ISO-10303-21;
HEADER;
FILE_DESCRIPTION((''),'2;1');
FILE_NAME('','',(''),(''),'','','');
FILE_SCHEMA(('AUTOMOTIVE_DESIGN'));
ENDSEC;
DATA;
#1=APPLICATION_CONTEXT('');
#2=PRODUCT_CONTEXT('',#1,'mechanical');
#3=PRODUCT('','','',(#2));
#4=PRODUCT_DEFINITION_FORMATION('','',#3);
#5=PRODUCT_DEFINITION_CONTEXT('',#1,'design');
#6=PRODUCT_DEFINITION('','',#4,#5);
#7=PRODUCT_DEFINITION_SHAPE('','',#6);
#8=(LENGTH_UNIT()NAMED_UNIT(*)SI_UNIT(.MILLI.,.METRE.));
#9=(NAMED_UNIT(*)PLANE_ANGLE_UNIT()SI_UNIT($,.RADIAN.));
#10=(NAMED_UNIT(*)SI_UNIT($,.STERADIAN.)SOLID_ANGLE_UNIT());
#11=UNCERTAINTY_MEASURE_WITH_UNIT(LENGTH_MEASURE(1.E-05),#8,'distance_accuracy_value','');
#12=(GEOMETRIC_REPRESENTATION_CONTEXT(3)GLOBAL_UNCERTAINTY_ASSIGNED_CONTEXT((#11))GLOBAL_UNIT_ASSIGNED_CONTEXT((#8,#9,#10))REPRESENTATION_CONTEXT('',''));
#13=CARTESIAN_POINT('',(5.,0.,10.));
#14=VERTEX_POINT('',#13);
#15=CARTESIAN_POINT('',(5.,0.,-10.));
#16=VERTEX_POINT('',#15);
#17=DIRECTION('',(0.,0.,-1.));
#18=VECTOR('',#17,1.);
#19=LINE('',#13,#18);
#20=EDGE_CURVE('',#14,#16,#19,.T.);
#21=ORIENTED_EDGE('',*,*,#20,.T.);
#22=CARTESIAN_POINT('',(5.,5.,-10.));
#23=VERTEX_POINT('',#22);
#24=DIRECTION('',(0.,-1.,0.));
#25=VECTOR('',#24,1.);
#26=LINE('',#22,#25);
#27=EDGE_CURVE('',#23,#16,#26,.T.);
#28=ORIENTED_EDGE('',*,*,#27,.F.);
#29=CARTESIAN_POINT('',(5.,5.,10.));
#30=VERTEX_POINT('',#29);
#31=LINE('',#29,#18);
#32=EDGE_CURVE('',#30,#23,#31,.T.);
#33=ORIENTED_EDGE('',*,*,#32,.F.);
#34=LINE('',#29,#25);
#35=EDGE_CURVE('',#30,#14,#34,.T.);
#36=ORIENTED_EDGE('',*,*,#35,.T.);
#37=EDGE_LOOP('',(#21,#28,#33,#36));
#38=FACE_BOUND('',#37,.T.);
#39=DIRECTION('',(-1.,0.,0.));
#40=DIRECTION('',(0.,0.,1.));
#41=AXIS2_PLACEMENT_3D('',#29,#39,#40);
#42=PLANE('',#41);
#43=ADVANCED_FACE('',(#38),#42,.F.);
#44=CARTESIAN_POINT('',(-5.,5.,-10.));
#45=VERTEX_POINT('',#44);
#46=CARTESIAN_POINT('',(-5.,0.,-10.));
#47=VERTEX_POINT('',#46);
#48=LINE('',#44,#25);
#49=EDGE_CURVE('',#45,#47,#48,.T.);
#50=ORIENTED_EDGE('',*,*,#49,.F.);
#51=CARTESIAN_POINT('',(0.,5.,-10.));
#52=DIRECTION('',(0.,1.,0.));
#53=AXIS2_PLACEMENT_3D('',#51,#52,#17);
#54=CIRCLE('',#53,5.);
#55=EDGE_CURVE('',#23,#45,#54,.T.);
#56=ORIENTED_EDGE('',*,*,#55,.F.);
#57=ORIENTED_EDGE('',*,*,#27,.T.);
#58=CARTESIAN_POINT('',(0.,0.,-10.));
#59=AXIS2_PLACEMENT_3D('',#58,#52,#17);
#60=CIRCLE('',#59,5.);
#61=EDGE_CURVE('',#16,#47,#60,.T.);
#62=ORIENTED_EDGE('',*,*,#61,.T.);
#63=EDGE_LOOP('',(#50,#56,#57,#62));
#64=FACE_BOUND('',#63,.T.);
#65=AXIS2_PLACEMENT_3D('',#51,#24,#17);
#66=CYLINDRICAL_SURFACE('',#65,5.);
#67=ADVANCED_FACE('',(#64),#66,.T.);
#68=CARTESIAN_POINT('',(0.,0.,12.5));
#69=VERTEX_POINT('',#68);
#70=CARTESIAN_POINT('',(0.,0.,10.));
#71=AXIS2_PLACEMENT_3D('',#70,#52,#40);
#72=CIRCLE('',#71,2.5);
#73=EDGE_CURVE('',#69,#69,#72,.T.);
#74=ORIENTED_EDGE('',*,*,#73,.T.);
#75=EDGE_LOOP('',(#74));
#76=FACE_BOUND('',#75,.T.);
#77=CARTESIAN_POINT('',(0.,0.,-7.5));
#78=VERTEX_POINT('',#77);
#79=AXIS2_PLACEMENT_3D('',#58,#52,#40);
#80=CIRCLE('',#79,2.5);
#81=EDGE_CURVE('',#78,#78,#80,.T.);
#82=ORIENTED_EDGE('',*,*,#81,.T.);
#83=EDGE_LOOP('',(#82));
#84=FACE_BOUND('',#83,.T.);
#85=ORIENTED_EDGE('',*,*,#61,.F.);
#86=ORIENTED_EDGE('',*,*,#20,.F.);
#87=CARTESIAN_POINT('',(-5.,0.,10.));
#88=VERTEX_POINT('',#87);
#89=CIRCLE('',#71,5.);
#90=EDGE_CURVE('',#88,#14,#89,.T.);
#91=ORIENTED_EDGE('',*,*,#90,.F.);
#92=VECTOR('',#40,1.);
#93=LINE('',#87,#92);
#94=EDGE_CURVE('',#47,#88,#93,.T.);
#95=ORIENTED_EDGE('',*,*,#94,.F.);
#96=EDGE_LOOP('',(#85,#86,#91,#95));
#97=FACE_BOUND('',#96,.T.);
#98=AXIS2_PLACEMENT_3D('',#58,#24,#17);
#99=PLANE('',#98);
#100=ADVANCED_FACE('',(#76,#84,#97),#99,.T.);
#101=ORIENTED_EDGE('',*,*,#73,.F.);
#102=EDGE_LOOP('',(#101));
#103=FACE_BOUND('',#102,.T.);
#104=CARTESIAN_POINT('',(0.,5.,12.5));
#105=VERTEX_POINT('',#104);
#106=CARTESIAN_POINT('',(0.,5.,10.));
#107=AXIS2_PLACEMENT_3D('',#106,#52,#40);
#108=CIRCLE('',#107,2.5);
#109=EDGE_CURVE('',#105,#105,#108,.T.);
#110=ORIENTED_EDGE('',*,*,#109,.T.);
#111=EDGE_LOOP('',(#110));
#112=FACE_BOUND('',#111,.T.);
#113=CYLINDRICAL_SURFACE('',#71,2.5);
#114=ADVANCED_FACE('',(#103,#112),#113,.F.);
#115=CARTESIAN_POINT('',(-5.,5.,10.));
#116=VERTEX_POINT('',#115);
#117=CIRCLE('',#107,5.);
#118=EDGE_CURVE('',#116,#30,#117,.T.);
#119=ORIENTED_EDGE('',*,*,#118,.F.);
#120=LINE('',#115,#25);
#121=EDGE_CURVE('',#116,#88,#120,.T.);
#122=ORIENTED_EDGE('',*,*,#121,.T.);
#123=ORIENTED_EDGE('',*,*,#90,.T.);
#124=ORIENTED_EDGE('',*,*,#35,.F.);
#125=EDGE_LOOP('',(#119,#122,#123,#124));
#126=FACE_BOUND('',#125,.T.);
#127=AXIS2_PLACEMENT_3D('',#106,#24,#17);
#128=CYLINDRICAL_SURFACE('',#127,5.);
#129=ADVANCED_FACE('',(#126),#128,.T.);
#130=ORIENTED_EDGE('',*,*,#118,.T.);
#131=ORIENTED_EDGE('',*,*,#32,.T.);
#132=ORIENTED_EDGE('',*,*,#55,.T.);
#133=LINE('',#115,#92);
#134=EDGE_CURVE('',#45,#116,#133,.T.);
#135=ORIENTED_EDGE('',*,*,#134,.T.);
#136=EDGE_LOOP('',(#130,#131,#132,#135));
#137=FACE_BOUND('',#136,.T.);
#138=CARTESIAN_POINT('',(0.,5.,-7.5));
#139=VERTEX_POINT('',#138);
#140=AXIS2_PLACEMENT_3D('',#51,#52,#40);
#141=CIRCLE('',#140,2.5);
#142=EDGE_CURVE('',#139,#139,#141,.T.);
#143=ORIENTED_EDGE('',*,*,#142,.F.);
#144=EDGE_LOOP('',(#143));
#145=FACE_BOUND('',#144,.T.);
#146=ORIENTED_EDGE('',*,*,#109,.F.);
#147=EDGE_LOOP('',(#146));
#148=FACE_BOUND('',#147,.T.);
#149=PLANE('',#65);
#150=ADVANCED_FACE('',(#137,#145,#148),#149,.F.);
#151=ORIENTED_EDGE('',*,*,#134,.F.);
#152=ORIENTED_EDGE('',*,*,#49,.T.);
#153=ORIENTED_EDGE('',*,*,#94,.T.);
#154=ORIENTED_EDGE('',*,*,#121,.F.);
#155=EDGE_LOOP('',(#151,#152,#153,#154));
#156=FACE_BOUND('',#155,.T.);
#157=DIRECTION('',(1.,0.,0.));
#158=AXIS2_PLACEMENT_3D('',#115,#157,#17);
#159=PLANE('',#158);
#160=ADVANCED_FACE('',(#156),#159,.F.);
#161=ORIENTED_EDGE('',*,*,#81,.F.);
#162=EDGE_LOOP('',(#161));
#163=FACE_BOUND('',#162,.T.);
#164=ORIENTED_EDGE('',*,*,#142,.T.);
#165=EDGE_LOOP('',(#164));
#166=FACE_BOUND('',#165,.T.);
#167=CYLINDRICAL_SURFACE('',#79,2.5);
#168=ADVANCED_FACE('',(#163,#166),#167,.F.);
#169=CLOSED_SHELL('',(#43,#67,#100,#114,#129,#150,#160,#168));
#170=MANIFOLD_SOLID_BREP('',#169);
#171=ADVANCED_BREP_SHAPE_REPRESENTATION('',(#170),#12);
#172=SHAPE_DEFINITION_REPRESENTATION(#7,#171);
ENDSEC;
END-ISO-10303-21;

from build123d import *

# Parameters (mm, degrees)
BOSS_EXTRUDE1_DEPTH = 5
SKETCH2_R           = 2.5
CUT_EXTRUDE1_DEPTH  = 17.583123952


with BuildPart() as part:
    # Sketch1 → Boss-Extrude1 (new body)
    with BuildSketch(Plane(origin=(0, 0, 0), x_dir=(1, 0, 0), z_dir=(0, 1, 0))):
        with BuildLine():
            Line((-5, -10), (-5, 10))
            ThreePointArc((-5, 10), (0, 15), (5, 10))
            Line((5, 10), (5, -10))
            ThreePointArc((5, -10), (0, -15), (-5, -10))
        make_face()
    extrude(amount=BOSS_EXTRUDE1_DEPTH)

    # Sketch2 → Cut-Extrude1 (cut, through all)
    with BuildSketch(Plane(origin=(0, 5, 0), x_dir=(1, 0, 0), z_dir=(0, 1, 0))):
        with Locations(Location((0, 10, 0), (0, 0, 270))):
            Circle(SKETCH2_R)
        with Locations(Location((0, -10, 0), (0, 0, 270))):
            Circle(SKETCH2_R)
    extrude(amount=-CUT_EXTRUDE1_DEPTH, mode=Mode.SUBTRACT)


solid = part.part
